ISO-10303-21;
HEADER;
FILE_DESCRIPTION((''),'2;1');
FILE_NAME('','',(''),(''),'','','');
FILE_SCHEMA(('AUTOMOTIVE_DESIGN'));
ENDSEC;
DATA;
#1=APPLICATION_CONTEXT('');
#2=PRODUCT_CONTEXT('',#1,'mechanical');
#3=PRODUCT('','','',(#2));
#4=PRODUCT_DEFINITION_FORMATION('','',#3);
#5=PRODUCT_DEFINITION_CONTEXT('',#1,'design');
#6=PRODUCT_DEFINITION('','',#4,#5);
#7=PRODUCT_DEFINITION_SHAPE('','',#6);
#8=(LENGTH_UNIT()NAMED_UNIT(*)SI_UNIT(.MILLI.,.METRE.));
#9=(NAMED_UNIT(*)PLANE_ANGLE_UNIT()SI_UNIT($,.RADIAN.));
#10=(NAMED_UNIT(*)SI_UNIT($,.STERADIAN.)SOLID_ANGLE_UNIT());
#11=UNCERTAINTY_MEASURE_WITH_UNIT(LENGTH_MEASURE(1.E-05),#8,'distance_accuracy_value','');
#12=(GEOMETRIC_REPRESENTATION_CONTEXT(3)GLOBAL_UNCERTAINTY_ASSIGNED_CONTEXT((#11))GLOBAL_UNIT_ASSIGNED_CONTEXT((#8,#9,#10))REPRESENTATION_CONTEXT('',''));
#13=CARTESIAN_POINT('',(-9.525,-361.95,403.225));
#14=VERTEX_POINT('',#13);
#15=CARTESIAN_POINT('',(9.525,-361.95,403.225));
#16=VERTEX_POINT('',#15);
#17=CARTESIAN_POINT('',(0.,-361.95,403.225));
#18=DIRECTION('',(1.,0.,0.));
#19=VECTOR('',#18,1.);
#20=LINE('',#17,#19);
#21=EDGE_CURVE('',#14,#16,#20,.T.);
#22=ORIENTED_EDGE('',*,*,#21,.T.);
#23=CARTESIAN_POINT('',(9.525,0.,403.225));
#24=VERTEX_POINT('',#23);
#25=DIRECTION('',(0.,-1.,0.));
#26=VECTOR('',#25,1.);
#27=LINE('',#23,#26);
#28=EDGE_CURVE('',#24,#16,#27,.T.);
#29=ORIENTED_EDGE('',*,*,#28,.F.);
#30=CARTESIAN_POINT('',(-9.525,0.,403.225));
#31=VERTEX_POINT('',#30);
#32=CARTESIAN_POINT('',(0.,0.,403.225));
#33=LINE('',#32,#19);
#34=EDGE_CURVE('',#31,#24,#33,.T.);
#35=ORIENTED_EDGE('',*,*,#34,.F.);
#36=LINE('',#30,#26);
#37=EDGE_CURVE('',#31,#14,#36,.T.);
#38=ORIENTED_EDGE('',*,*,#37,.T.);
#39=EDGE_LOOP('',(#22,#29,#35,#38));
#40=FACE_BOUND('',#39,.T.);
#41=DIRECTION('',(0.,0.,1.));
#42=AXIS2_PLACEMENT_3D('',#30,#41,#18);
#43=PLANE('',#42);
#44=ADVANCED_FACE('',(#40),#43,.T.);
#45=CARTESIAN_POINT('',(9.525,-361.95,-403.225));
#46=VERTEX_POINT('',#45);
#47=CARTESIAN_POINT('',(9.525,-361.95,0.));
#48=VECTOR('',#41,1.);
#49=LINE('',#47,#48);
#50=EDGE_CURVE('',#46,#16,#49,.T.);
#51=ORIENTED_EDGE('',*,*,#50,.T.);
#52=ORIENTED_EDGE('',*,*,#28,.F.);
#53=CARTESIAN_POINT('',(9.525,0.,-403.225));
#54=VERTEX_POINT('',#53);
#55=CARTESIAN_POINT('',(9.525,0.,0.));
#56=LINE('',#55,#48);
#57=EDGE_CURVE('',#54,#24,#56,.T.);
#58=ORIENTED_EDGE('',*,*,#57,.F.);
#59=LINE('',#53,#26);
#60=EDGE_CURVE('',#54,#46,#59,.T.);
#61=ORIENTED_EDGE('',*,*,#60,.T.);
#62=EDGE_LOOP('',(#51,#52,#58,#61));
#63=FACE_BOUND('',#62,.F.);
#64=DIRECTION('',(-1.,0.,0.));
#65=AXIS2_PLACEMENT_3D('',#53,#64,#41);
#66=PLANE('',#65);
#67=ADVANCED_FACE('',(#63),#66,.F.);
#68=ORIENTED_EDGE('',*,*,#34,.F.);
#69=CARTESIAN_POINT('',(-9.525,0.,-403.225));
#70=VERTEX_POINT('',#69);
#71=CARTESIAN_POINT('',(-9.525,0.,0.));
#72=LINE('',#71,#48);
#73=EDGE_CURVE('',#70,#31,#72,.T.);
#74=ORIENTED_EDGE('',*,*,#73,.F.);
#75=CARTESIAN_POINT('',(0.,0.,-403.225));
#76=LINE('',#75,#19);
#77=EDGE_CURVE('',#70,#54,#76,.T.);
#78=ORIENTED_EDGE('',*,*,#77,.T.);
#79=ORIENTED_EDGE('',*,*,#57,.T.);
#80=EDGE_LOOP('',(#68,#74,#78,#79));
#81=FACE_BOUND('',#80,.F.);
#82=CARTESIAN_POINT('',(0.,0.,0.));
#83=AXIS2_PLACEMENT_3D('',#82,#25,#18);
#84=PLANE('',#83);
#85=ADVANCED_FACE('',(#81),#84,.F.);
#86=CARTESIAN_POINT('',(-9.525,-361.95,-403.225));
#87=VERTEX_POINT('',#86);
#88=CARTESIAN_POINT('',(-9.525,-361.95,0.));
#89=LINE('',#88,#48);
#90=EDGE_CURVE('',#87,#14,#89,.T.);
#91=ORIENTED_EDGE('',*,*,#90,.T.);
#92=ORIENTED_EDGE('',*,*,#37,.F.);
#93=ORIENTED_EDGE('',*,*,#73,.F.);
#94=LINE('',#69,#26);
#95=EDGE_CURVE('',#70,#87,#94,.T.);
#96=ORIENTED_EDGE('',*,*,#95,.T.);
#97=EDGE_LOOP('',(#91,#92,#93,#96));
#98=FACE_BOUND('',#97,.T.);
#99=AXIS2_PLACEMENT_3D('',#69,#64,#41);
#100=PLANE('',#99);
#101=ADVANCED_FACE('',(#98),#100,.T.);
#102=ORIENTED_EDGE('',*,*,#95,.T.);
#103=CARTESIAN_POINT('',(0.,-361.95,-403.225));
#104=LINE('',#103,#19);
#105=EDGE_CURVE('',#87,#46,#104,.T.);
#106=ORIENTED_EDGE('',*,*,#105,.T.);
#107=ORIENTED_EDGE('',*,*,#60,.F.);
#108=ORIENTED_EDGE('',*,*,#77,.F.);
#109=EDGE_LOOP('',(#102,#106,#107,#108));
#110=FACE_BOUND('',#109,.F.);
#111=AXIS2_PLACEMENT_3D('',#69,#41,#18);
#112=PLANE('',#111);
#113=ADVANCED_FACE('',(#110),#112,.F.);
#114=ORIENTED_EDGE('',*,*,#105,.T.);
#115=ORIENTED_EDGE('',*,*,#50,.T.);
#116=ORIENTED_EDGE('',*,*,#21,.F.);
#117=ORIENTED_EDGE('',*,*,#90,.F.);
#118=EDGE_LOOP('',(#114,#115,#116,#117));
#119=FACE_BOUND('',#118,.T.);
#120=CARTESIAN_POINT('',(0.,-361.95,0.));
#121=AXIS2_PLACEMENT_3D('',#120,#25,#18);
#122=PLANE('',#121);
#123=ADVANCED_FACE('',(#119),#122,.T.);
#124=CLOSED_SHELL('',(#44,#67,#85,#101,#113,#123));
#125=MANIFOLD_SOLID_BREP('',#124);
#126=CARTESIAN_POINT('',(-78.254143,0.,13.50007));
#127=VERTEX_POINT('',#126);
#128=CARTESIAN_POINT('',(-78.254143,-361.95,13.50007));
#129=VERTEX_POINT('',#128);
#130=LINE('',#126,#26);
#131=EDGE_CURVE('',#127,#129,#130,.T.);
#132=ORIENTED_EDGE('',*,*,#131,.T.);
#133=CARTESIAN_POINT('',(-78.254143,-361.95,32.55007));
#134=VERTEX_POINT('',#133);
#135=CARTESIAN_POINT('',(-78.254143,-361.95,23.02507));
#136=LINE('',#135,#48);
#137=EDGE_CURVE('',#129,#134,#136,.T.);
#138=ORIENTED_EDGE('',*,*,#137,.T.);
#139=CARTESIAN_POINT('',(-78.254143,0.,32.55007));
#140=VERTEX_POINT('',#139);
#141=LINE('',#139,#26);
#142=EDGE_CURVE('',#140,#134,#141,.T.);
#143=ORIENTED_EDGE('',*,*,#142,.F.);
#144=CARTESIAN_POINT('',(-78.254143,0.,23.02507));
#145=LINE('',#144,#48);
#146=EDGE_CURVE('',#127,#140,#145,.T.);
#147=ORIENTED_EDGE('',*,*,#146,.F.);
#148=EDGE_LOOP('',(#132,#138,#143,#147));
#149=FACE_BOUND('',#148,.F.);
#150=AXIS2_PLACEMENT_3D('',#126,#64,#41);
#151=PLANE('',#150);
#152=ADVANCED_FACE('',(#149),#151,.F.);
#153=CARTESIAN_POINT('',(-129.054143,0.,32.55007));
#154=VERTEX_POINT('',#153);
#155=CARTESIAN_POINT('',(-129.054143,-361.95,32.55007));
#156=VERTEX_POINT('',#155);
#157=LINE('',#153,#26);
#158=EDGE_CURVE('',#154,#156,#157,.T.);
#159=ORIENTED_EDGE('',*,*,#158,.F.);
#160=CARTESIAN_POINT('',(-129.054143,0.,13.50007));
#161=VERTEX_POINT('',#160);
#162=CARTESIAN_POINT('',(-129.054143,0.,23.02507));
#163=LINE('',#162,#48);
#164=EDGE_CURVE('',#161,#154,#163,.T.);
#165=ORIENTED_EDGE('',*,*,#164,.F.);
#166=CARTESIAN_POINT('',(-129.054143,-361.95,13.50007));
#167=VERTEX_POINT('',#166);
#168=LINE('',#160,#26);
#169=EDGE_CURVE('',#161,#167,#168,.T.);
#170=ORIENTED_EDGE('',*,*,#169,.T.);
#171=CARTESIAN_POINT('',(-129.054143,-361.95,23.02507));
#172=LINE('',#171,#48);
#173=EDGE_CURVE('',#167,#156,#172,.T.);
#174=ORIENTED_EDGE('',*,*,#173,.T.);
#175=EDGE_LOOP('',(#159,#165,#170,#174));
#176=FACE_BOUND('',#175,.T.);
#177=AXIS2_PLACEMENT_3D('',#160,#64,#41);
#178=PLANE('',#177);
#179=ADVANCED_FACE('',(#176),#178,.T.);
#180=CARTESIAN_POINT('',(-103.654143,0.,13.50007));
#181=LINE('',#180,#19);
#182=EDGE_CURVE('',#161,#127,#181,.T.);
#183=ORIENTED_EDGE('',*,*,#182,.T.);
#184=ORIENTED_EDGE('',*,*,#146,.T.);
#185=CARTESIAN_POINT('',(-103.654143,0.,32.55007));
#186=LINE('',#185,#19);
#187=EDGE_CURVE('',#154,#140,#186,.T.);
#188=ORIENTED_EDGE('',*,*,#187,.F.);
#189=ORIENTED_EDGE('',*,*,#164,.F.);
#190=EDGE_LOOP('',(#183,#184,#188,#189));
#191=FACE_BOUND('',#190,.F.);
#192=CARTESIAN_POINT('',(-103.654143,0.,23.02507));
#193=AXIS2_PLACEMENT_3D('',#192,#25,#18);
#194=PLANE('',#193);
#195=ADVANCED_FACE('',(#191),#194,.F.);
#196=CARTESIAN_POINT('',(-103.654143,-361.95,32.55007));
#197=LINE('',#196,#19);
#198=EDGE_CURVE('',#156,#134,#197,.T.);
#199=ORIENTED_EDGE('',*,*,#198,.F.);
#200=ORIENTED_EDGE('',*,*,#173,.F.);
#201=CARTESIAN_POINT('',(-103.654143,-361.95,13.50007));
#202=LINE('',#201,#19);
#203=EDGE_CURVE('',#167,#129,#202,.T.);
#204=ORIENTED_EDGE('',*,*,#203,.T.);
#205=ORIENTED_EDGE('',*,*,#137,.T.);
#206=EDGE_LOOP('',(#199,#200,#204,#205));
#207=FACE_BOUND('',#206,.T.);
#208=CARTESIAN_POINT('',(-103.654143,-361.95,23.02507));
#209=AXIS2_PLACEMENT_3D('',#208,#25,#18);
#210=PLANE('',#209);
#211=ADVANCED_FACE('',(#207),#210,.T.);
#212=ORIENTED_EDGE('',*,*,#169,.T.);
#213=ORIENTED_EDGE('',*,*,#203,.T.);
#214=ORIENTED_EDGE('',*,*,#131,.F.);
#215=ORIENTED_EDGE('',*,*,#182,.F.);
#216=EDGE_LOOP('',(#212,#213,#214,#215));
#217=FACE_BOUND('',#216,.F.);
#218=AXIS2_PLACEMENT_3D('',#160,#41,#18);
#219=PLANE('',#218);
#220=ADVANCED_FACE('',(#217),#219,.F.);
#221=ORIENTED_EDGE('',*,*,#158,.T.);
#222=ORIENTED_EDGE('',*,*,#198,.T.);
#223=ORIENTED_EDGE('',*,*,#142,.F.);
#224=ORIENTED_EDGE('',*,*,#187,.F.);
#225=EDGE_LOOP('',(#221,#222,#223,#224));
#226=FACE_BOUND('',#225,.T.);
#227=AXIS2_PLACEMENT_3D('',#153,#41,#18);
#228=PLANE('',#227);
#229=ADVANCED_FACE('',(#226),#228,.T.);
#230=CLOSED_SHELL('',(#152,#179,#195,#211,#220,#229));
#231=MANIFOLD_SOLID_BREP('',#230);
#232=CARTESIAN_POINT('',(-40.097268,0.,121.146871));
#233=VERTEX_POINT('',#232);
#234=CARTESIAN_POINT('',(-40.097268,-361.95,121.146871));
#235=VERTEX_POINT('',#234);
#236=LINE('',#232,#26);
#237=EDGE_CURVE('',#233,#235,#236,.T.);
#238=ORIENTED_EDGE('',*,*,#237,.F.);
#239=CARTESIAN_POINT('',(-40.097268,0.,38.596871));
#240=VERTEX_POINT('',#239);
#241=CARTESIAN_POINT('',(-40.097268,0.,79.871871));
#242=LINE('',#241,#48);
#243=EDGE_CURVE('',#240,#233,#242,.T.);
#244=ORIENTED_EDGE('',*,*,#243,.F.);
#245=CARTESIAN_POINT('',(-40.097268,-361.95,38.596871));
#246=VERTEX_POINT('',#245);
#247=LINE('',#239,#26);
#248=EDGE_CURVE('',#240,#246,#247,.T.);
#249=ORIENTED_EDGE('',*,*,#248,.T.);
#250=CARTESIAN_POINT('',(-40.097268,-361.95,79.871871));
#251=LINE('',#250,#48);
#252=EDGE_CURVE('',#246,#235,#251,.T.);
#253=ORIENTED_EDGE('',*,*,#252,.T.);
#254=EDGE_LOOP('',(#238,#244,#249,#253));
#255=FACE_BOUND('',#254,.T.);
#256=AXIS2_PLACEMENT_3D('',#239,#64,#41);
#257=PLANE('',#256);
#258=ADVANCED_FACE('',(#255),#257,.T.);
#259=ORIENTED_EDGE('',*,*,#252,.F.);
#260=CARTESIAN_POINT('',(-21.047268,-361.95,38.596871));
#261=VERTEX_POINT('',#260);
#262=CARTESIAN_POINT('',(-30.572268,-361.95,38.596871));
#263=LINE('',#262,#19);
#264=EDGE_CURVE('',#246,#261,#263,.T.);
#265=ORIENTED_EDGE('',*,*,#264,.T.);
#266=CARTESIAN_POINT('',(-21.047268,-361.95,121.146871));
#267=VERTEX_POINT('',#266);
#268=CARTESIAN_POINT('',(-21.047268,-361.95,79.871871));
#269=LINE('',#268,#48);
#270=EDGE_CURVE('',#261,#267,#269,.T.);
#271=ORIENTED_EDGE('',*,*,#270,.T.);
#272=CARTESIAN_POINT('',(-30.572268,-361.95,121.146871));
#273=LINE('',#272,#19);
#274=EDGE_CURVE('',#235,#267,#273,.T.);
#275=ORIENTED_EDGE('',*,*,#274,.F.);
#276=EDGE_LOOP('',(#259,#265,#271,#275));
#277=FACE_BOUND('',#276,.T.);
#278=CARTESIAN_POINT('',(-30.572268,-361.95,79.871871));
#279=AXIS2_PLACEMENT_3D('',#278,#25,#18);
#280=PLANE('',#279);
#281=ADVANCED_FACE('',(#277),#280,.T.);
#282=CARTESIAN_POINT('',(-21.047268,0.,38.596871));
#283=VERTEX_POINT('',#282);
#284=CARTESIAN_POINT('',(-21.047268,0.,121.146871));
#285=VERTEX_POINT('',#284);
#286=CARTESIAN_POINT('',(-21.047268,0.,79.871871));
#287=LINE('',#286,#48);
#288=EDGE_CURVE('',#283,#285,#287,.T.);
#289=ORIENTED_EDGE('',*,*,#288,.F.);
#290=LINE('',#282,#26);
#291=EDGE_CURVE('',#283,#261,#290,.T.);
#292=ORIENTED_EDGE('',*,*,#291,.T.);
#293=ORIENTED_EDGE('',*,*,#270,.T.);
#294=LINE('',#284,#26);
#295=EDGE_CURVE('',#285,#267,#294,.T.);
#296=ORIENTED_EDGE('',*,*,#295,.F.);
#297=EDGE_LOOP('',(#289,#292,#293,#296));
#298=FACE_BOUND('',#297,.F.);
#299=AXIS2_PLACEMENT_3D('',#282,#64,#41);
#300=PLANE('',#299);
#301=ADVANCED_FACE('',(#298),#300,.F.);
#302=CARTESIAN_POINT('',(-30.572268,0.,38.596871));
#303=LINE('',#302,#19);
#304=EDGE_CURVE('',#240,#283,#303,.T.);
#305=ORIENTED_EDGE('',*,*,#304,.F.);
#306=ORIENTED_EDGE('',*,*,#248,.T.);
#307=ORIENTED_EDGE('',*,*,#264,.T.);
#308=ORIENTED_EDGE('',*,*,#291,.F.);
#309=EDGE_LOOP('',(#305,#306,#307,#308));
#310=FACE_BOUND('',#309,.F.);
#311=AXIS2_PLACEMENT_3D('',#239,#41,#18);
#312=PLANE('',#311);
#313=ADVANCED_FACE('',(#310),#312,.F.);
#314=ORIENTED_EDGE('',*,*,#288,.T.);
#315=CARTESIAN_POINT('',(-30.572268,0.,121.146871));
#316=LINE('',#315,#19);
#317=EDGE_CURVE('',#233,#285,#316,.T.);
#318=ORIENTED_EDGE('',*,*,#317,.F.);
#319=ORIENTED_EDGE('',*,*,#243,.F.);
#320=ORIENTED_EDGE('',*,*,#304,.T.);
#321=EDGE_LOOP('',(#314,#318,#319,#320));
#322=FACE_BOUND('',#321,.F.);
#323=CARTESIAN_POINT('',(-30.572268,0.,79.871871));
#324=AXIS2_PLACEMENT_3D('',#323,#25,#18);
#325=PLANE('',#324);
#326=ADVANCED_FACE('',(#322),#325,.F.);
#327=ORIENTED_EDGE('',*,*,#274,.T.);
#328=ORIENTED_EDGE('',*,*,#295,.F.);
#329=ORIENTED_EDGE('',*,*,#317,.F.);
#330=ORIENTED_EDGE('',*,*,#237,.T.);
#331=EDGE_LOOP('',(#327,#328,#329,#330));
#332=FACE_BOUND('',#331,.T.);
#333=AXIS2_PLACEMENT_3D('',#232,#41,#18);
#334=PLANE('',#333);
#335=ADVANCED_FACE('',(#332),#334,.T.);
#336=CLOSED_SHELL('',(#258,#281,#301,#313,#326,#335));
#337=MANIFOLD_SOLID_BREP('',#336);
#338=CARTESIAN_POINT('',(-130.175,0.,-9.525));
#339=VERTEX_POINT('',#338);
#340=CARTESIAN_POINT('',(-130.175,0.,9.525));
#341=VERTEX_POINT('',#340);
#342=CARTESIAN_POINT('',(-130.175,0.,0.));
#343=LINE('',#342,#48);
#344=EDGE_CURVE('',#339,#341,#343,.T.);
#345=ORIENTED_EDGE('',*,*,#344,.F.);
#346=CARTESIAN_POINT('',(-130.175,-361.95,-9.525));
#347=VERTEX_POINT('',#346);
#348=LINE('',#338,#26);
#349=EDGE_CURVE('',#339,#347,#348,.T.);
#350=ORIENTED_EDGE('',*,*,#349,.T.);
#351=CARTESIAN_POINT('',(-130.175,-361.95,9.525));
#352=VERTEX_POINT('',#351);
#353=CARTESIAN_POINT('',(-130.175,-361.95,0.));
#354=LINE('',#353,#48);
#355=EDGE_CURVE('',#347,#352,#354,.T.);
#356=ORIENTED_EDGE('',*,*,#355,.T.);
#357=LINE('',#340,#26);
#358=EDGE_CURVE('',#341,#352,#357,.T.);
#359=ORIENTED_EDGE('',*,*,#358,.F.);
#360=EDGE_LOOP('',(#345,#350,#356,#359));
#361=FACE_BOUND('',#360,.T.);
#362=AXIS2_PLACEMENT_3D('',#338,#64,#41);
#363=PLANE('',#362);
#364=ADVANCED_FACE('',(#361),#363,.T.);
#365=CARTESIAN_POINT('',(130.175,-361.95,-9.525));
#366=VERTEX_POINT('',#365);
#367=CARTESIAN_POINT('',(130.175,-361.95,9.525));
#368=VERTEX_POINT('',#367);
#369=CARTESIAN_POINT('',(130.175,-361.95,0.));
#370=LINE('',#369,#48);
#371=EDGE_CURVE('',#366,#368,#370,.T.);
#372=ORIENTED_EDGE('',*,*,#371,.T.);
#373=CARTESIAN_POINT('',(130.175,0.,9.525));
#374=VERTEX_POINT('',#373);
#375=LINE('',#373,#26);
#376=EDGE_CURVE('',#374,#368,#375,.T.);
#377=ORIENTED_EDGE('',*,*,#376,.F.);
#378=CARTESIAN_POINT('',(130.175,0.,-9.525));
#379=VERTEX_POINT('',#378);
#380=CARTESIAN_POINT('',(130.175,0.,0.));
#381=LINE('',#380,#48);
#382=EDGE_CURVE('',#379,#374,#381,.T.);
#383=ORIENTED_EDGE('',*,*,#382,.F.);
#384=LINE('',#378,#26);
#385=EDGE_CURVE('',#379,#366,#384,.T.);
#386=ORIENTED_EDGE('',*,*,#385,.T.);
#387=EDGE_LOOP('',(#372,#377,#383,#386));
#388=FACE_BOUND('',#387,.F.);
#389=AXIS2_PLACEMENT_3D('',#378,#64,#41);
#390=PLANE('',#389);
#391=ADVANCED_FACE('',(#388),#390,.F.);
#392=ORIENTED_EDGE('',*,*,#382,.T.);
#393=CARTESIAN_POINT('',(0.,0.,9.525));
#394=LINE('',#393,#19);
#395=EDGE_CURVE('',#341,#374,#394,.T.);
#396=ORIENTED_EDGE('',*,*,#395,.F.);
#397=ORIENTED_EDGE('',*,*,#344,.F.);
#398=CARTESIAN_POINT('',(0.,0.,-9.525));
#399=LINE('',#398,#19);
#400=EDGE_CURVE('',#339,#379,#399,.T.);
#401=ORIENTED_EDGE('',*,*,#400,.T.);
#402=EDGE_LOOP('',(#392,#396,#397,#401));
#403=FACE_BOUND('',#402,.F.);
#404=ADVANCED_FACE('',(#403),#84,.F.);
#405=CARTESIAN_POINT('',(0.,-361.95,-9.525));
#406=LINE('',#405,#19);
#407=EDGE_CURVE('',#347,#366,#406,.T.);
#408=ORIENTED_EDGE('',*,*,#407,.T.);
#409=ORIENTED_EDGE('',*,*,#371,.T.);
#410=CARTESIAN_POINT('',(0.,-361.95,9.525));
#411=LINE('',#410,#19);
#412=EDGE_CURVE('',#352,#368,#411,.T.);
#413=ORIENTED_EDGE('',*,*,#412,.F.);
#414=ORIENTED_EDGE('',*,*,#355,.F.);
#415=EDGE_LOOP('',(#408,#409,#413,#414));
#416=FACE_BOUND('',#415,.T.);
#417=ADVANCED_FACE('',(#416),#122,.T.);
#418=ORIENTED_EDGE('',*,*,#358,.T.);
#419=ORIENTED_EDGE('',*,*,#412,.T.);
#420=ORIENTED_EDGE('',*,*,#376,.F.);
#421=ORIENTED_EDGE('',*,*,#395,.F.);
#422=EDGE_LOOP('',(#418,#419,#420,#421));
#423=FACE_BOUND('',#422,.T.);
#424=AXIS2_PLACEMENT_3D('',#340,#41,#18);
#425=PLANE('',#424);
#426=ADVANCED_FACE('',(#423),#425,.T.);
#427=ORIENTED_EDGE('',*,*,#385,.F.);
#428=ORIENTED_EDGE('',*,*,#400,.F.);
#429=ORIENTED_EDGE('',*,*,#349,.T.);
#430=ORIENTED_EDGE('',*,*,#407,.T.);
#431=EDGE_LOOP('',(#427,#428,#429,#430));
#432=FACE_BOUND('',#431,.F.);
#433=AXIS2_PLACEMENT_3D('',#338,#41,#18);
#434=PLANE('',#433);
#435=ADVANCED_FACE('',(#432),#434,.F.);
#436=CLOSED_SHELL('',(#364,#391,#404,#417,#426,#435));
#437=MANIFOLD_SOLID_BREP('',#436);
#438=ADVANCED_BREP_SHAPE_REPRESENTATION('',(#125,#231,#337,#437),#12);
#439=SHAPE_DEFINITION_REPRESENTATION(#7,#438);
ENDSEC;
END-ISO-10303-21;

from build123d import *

# Parameters (mm, degrees)
F0_W     = 19.05
F0_H     = 806.45
F1_DEPTH = 361.95
F2_W     = 260.35
F2_H     = 19.05
F3_DEPTH = 361.95
F4_W     = 50.8
F4_H     = 19.05
F5_DEPTH = 361.95
F6_W     = 19.05
F6_H     = 82.55
F7_DEPTH = 361.95


with BuildPart() as f1:
    # F0 (on Front) → F1 (new body)
    with BuildSketch(Plane.XZ):
        Rectangle(F0_W, F0_H)
    extrude(amount=F1_DEPTH)


with BuildPart() as f3:
    # F2 (on Front) → F3 (new body)
    with BuildSketch(Plane.XZ):
        Rectangle(F2_W, F2_H)
    extrude(amount=F3_DEPTH)


with BuildPart() as f5:
    # F4 (on Front) → F5 (new body)
    with BuildSketch(Plane.XZ):
        with Locations((-103.654143, 23.02507)):
            Rectangle(F4_W, F4_H)
    extrude(amount=F5_DEPTH)


with BuildPart() as f7:
    # F6 (on Front) → F7 (new body)
    with BuildSketch(Plane.XZ):
        with Locations((-30.572268, 79.871871)):
            Rectangle(F6_W, F6_H)
    extrude(amount=F7_DEPTH)


solid = Compound([f1.part, f3.part, f5.part, f7.part])
